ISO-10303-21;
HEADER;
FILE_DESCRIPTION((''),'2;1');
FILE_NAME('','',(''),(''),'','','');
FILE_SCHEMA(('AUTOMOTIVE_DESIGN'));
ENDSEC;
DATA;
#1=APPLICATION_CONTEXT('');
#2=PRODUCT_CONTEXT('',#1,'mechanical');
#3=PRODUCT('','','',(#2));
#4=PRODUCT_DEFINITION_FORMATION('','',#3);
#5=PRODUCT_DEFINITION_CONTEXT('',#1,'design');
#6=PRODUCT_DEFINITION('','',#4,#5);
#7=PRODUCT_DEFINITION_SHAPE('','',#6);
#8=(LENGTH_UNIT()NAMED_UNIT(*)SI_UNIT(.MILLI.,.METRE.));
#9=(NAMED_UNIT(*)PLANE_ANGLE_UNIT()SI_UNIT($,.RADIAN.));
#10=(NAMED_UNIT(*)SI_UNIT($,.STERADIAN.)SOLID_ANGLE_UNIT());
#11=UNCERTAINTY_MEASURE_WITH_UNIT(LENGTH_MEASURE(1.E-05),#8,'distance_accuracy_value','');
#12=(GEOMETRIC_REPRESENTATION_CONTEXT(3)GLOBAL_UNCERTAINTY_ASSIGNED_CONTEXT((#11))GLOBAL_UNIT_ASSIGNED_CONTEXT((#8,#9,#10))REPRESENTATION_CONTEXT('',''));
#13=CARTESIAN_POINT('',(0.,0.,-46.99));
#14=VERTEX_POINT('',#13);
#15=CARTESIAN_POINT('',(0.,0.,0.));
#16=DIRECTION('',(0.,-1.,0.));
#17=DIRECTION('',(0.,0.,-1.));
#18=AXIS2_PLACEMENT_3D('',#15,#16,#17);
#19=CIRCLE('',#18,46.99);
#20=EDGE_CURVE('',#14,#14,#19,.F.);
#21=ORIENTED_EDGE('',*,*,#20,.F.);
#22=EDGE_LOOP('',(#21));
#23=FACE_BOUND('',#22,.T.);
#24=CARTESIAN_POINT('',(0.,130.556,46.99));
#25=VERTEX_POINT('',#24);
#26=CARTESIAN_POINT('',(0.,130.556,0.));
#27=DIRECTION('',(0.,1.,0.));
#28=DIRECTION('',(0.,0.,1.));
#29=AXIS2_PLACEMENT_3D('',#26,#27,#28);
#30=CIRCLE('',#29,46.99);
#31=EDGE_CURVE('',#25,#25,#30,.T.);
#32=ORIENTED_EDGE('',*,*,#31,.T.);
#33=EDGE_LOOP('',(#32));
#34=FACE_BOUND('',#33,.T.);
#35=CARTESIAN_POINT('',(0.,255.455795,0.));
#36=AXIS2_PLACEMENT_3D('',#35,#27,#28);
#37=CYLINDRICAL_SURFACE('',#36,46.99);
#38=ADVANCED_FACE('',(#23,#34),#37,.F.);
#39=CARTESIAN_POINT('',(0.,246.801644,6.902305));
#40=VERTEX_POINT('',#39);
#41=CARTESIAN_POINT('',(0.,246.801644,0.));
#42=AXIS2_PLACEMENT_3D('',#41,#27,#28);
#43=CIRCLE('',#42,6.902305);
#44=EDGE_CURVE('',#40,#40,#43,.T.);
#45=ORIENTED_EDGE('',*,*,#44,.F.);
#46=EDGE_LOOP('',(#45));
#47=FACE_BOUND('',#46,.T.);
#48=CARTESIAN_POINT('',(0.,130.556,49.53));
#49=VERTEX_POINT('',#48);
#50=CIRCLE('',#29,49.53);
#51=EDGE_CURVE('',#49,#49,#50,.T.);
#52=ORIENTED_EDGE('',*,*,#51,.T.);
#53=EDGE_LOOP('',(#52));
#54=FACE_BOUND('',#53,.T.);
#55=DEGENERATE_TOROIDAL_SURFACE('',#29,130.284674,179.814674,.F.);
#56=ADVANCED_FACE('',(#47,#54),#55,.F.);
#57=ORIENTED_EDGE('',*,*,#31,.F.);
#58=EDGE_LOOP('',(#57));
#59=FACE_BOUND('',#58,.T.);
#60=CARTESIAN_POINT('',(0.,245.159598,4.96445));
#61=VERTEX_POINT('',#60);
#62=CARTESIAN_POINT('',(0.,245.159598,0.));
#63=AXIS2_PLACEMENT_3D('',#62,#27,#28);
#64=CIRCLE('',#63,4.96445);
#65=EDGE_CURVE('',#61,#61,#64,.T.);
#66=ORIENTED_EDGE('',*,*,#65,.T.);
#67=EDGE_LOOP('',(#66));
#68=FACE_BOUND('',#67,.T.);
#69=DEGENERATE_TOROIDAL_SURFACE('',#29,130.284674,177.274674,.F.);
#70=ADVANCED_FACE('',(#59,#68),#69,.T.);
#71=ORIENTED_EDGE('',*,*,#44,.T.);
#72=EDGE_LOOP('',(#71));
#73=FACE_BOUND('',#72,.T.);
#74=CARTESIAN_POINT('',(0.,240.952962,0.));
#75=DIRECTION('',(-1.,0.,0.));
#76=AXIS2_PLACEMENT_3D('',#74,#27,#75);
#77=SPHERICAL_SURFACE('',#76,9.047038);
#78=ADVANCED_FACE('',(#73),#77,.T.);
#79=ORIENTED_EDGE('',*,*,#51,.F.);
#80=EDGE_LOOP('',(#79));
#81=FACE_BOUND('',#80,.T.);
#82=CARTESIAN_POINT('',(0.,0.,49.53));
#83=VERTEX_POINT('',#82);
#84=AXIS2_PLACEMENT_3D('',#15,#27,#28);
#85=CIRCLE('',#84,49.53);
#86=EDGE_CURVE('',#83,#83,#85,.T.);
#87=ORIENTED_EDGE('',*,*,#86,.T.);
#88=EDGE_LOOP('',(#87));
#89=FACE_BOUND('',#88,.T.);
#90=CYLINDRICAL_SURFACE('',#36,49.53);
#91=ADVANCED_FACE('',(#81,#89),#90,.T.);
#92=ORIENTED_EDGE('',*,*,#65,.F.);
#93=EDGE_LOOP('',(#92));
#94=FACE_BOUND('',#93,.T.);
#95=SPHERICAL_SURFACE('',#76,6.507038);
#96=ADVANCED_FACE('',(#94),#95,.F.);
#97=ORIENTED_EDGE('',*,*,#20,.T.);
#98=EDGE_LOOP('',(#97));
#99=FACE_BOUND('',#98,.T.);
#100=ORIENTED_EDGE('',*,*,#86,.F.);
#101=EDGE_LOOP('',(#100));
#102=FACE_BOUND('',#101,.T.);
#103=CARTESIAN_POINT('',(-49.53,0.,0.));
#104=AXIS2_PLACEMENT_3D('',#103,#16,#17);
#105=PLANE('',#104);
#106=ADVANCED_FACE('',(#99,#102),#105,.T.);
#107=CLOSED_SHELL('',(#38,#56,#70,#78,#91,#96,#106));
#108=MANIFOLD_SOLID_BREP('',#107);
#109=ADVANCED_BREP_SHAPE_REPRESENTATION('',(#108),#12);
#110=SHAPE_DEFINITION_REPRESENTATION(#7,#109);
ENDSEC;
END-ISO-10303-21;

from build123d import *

# Parameters (mm, degrees)
SHELL1_T = -2.54


with BuildPart() as part:
    # Sketch1 → Revolve1 (revolve)
    with BuildSketch(Plane.XY, mode=Mode.PRIVATE) as revolve1_sk:
        with BuildLine():
            Line((-49.53, 0), (-49.53, 130.556))
            ThreePointArc((-49.53, 130.556), (-38.537049964, 192.463531829), (-6.902305408, 246.801643541))
            ThreePointArc((-6.902305408, 246.801643541), (-3.803659553, 249.161559344), (0, 250))
            Line((0, 250), (0, 0))
            Line((0, 0), (-49.53, 0))
        make_face()
    revolve(revolve1_sk.sketch.rotate(Axis((0, 255.455794576, 0), (0, -1, 0)), 270), axis=Axis((0, 255.455794576, 0), (0, -1, 0)))

    # Shell1
    shell1_openings = [part.faces().sort_by_distance(p)[0] for p in [
        (0, 0, 0),
    ]]
    offset(amount=SHELL1_T, openings=shell1_openings, kind=Kind.INTERSECTION)


solid = part.part
